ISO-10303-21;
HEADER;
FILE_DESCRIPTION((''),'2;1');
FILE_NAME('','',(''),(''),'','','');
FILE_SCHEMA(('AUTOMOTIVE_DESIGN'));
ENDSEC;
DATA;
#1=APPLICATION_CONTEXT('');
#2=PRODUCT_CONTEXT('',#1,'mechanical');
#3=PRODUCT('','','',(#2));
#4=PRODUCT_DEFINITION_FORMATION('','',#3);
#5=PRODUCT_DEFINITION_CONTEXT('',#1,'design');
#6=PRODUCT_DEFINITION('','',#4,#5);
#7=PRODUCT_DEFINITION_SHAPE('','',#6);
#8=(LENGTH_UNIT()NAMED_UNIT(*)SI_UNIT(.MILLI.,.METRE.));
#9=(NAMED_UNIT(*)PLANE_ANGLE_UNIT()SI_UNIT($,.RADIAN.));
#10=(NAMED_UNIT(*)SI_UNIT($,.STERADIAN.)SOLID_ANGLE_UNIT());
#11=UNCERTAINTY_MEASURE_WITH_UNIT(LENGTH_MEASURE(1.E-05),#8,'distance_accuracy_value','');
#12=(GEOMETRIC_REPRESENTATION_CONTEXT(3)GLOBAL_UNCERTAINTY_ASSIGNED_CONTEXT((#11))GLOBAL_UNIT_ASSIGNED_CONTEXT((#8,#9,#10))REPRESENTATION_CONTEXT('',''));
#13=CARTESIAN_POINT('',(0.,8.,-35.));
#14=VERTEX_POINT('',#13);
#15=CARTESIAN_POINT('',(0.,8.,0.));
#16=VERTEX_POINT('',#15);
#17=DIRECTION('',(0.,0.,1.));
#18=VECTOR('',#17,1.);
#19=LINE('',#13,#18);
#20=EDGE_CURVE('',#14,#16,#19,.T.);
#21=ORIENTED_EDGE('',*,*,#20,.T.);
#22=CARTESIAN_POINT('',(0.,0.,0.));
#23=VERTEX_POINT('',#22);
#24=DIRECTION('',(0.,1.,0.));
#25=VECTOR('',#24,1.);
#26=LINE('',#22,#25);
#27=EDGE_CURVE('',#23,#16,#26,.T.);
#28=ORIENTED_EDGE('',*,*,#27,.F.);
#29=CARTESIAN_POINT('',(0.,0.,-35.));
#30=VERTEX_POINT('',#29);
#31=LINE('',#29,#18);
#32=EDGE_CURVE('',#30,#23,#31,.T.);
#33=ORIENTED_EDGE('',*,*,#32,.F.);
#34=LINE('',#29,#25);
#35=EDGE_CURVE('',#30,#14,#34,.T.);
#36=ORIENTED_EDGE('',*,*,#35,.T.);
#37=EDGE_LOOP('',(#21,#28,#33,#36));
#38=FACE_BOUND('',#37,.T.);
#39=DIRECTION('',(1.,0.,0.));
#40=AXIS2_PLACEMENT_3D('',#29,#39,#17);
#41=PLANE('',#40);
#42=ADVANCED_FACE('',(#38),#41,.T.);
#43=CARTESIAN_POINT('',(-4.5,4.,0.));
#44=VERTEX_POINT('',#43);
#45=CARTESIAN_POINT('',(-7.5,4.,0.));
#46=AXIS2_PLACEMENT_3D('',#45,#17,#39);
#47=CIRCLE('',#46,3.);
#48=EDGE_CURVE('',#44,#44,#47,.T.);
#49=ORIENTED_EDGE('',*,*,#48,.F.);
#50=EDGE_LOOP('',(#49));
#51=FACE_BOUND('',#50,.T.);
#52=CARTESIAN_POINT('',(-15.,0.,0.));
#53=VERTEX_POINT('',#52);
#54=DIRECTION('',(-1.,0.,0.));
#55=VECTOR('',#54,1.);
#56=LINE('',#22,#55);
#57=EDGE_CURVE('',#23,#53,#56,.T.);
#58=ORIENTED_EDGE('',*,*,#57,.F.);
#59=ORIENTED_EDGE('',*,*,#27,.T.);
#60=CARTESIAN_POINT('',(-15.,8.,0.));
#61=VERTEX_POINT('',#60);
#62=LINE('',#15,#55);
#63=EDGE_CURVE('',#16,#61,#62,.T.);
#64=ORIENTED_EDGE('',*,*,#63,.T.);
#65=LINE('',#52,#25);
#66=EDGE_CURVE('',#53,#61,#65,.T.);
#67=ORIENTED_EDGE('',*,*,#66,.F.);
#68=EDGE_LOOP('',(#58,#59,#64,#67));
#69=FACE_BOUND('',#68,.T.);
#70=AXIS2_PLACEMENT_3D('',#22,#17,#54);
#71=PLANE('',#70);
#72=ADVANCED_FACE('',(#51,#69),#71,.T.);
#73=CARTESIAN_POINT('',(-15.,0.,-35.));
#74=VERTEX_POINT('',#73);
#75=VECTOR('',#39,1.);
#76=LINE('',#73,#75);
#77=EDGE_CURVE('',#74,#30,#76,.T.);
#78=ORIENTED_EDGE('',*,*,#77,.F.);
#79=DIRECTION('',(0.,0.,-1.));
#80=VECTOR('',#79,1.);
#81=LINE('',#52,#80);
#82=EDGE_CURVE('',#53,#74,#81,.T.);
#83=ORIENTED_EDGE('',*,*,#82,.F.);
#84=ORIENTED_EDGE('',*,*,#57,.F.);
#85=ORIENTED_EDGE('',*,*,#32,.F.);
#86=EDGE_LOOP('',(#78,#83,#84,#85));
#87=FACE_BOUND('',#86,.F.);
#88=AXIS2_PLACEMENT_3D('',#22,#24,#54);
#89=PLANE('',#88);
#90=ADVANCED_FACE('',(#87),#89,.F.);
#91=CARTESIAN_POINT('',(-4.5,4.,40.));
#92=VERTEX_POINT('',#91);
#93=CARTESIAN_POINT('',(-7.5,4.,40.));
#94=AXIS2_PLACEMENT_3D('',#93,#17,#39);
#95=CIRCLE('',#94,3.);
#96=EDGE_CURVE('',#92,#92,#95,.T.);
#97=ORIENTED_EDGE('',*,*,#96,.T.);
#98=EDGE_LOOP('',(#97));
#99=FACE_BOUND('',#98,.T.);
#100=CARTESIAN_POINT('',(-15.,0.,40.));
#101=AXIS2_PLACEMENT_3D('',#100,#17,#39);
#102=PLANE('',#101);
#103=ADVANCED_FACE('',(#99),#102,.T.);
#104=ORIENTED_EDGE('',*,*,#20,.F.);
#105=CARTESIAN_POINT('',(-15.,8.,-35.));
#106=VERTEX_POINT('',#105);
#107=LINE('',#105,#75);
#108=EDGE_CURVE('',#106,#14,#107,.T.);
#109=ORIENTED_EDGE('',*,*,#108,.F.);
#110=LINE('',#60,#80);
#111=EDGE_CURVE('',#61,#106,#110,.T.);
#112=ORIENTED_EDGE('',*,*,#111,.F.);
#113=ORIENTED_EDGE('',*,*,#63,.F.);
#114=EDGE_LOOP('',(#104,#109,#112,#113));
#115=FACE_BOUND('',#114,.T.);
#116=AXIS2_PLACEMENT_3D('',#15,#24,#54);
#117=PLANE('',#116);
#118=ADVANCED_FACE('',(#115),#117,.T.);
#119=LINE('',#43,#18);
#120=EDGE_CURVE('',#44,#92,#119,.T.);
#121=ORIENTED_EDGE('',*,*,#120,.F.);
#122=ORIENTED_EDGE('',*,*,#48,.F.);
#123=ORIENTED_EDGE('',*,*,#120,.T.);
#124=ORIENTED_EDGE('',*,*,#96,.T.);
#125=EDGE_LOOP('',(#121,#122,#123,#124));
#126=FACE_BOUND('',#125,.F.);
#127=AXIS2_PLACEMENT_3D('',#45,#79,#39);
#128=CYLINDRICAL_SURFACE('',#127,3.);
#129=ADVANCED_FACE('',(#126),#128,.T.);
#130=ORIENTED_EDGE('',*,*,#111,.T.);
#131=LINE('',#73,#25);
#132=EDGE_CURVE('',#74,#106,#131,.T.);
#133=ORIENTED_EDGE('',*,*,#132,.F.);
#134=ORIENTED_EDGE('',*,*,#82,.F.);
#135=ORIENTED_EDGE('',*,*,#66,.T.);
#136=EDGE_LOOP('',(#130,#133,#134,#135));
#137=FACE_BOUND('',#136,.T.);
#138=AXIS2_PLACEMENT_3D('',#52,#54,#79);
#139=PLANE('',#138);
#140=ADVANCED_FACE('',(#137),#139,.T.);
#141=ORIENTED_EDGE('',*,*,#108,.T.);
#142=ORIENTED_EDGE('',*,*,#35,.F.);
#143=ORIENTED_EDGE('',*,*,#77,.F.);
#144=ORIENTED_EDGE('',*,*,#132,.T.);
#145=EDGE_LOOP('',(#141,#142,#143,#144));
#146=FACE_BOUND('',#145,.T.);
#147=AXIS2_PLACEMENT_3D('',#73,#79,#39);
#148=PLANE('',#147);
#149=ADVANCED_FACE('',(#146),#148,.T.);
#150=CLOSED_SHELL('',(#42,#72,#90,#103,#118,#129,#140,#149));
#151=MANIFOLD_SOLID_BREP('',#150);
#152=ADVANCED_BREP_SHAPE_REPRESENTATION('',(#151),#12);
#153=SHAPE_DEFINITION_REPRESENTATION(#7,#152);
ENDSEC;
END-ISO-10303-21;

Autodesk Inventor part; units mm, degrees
ref_plane "YZ Plane" through (0, 0, 0) normal (1, 0, 0) x (0, 1, 0)
ref_plane "XZ Plane" through (0, 0, 0) normal (0, 1, 0) x (-1, 0, 0)
ref_plane "XY Plane" through (0, 0, 0) normal (0, 0, 1) x (1, 0, 0)
sketch "Sketch1" plane through (0, 0, 0) normal (0, 1, 0) x (-1, 0, 0)
  line L0 (0, 0) -> (15, 0)
  line L1 (15, 0) -> (15, -35)
  line L2 (15, -35) -> (0, -35)
  line L3 (0, -35) -> (0, 0)
  dimension "d0" = 35
  dimension "d1" = 15
extrude "Extrusion1" add sketch "Sketch1" along normal blind 8
sketch "Sketch2" plane through (-15, 0, 0) normal (0, 0, 1) x (1, 0, 0)
  circle A0 centre (7.5, 4) radius 3
  line L0 (15, 0) -> (15, 8) projected
  line L1 (0, 0) -> (15, 0) projected
  dimension "d4" = 7.5
  dimension "d5" = 4
  dimension "d6" = 6
extrude "Extrusion2" add sketch "Sketch2" along normal blind 40
properties part number "USBCable"
